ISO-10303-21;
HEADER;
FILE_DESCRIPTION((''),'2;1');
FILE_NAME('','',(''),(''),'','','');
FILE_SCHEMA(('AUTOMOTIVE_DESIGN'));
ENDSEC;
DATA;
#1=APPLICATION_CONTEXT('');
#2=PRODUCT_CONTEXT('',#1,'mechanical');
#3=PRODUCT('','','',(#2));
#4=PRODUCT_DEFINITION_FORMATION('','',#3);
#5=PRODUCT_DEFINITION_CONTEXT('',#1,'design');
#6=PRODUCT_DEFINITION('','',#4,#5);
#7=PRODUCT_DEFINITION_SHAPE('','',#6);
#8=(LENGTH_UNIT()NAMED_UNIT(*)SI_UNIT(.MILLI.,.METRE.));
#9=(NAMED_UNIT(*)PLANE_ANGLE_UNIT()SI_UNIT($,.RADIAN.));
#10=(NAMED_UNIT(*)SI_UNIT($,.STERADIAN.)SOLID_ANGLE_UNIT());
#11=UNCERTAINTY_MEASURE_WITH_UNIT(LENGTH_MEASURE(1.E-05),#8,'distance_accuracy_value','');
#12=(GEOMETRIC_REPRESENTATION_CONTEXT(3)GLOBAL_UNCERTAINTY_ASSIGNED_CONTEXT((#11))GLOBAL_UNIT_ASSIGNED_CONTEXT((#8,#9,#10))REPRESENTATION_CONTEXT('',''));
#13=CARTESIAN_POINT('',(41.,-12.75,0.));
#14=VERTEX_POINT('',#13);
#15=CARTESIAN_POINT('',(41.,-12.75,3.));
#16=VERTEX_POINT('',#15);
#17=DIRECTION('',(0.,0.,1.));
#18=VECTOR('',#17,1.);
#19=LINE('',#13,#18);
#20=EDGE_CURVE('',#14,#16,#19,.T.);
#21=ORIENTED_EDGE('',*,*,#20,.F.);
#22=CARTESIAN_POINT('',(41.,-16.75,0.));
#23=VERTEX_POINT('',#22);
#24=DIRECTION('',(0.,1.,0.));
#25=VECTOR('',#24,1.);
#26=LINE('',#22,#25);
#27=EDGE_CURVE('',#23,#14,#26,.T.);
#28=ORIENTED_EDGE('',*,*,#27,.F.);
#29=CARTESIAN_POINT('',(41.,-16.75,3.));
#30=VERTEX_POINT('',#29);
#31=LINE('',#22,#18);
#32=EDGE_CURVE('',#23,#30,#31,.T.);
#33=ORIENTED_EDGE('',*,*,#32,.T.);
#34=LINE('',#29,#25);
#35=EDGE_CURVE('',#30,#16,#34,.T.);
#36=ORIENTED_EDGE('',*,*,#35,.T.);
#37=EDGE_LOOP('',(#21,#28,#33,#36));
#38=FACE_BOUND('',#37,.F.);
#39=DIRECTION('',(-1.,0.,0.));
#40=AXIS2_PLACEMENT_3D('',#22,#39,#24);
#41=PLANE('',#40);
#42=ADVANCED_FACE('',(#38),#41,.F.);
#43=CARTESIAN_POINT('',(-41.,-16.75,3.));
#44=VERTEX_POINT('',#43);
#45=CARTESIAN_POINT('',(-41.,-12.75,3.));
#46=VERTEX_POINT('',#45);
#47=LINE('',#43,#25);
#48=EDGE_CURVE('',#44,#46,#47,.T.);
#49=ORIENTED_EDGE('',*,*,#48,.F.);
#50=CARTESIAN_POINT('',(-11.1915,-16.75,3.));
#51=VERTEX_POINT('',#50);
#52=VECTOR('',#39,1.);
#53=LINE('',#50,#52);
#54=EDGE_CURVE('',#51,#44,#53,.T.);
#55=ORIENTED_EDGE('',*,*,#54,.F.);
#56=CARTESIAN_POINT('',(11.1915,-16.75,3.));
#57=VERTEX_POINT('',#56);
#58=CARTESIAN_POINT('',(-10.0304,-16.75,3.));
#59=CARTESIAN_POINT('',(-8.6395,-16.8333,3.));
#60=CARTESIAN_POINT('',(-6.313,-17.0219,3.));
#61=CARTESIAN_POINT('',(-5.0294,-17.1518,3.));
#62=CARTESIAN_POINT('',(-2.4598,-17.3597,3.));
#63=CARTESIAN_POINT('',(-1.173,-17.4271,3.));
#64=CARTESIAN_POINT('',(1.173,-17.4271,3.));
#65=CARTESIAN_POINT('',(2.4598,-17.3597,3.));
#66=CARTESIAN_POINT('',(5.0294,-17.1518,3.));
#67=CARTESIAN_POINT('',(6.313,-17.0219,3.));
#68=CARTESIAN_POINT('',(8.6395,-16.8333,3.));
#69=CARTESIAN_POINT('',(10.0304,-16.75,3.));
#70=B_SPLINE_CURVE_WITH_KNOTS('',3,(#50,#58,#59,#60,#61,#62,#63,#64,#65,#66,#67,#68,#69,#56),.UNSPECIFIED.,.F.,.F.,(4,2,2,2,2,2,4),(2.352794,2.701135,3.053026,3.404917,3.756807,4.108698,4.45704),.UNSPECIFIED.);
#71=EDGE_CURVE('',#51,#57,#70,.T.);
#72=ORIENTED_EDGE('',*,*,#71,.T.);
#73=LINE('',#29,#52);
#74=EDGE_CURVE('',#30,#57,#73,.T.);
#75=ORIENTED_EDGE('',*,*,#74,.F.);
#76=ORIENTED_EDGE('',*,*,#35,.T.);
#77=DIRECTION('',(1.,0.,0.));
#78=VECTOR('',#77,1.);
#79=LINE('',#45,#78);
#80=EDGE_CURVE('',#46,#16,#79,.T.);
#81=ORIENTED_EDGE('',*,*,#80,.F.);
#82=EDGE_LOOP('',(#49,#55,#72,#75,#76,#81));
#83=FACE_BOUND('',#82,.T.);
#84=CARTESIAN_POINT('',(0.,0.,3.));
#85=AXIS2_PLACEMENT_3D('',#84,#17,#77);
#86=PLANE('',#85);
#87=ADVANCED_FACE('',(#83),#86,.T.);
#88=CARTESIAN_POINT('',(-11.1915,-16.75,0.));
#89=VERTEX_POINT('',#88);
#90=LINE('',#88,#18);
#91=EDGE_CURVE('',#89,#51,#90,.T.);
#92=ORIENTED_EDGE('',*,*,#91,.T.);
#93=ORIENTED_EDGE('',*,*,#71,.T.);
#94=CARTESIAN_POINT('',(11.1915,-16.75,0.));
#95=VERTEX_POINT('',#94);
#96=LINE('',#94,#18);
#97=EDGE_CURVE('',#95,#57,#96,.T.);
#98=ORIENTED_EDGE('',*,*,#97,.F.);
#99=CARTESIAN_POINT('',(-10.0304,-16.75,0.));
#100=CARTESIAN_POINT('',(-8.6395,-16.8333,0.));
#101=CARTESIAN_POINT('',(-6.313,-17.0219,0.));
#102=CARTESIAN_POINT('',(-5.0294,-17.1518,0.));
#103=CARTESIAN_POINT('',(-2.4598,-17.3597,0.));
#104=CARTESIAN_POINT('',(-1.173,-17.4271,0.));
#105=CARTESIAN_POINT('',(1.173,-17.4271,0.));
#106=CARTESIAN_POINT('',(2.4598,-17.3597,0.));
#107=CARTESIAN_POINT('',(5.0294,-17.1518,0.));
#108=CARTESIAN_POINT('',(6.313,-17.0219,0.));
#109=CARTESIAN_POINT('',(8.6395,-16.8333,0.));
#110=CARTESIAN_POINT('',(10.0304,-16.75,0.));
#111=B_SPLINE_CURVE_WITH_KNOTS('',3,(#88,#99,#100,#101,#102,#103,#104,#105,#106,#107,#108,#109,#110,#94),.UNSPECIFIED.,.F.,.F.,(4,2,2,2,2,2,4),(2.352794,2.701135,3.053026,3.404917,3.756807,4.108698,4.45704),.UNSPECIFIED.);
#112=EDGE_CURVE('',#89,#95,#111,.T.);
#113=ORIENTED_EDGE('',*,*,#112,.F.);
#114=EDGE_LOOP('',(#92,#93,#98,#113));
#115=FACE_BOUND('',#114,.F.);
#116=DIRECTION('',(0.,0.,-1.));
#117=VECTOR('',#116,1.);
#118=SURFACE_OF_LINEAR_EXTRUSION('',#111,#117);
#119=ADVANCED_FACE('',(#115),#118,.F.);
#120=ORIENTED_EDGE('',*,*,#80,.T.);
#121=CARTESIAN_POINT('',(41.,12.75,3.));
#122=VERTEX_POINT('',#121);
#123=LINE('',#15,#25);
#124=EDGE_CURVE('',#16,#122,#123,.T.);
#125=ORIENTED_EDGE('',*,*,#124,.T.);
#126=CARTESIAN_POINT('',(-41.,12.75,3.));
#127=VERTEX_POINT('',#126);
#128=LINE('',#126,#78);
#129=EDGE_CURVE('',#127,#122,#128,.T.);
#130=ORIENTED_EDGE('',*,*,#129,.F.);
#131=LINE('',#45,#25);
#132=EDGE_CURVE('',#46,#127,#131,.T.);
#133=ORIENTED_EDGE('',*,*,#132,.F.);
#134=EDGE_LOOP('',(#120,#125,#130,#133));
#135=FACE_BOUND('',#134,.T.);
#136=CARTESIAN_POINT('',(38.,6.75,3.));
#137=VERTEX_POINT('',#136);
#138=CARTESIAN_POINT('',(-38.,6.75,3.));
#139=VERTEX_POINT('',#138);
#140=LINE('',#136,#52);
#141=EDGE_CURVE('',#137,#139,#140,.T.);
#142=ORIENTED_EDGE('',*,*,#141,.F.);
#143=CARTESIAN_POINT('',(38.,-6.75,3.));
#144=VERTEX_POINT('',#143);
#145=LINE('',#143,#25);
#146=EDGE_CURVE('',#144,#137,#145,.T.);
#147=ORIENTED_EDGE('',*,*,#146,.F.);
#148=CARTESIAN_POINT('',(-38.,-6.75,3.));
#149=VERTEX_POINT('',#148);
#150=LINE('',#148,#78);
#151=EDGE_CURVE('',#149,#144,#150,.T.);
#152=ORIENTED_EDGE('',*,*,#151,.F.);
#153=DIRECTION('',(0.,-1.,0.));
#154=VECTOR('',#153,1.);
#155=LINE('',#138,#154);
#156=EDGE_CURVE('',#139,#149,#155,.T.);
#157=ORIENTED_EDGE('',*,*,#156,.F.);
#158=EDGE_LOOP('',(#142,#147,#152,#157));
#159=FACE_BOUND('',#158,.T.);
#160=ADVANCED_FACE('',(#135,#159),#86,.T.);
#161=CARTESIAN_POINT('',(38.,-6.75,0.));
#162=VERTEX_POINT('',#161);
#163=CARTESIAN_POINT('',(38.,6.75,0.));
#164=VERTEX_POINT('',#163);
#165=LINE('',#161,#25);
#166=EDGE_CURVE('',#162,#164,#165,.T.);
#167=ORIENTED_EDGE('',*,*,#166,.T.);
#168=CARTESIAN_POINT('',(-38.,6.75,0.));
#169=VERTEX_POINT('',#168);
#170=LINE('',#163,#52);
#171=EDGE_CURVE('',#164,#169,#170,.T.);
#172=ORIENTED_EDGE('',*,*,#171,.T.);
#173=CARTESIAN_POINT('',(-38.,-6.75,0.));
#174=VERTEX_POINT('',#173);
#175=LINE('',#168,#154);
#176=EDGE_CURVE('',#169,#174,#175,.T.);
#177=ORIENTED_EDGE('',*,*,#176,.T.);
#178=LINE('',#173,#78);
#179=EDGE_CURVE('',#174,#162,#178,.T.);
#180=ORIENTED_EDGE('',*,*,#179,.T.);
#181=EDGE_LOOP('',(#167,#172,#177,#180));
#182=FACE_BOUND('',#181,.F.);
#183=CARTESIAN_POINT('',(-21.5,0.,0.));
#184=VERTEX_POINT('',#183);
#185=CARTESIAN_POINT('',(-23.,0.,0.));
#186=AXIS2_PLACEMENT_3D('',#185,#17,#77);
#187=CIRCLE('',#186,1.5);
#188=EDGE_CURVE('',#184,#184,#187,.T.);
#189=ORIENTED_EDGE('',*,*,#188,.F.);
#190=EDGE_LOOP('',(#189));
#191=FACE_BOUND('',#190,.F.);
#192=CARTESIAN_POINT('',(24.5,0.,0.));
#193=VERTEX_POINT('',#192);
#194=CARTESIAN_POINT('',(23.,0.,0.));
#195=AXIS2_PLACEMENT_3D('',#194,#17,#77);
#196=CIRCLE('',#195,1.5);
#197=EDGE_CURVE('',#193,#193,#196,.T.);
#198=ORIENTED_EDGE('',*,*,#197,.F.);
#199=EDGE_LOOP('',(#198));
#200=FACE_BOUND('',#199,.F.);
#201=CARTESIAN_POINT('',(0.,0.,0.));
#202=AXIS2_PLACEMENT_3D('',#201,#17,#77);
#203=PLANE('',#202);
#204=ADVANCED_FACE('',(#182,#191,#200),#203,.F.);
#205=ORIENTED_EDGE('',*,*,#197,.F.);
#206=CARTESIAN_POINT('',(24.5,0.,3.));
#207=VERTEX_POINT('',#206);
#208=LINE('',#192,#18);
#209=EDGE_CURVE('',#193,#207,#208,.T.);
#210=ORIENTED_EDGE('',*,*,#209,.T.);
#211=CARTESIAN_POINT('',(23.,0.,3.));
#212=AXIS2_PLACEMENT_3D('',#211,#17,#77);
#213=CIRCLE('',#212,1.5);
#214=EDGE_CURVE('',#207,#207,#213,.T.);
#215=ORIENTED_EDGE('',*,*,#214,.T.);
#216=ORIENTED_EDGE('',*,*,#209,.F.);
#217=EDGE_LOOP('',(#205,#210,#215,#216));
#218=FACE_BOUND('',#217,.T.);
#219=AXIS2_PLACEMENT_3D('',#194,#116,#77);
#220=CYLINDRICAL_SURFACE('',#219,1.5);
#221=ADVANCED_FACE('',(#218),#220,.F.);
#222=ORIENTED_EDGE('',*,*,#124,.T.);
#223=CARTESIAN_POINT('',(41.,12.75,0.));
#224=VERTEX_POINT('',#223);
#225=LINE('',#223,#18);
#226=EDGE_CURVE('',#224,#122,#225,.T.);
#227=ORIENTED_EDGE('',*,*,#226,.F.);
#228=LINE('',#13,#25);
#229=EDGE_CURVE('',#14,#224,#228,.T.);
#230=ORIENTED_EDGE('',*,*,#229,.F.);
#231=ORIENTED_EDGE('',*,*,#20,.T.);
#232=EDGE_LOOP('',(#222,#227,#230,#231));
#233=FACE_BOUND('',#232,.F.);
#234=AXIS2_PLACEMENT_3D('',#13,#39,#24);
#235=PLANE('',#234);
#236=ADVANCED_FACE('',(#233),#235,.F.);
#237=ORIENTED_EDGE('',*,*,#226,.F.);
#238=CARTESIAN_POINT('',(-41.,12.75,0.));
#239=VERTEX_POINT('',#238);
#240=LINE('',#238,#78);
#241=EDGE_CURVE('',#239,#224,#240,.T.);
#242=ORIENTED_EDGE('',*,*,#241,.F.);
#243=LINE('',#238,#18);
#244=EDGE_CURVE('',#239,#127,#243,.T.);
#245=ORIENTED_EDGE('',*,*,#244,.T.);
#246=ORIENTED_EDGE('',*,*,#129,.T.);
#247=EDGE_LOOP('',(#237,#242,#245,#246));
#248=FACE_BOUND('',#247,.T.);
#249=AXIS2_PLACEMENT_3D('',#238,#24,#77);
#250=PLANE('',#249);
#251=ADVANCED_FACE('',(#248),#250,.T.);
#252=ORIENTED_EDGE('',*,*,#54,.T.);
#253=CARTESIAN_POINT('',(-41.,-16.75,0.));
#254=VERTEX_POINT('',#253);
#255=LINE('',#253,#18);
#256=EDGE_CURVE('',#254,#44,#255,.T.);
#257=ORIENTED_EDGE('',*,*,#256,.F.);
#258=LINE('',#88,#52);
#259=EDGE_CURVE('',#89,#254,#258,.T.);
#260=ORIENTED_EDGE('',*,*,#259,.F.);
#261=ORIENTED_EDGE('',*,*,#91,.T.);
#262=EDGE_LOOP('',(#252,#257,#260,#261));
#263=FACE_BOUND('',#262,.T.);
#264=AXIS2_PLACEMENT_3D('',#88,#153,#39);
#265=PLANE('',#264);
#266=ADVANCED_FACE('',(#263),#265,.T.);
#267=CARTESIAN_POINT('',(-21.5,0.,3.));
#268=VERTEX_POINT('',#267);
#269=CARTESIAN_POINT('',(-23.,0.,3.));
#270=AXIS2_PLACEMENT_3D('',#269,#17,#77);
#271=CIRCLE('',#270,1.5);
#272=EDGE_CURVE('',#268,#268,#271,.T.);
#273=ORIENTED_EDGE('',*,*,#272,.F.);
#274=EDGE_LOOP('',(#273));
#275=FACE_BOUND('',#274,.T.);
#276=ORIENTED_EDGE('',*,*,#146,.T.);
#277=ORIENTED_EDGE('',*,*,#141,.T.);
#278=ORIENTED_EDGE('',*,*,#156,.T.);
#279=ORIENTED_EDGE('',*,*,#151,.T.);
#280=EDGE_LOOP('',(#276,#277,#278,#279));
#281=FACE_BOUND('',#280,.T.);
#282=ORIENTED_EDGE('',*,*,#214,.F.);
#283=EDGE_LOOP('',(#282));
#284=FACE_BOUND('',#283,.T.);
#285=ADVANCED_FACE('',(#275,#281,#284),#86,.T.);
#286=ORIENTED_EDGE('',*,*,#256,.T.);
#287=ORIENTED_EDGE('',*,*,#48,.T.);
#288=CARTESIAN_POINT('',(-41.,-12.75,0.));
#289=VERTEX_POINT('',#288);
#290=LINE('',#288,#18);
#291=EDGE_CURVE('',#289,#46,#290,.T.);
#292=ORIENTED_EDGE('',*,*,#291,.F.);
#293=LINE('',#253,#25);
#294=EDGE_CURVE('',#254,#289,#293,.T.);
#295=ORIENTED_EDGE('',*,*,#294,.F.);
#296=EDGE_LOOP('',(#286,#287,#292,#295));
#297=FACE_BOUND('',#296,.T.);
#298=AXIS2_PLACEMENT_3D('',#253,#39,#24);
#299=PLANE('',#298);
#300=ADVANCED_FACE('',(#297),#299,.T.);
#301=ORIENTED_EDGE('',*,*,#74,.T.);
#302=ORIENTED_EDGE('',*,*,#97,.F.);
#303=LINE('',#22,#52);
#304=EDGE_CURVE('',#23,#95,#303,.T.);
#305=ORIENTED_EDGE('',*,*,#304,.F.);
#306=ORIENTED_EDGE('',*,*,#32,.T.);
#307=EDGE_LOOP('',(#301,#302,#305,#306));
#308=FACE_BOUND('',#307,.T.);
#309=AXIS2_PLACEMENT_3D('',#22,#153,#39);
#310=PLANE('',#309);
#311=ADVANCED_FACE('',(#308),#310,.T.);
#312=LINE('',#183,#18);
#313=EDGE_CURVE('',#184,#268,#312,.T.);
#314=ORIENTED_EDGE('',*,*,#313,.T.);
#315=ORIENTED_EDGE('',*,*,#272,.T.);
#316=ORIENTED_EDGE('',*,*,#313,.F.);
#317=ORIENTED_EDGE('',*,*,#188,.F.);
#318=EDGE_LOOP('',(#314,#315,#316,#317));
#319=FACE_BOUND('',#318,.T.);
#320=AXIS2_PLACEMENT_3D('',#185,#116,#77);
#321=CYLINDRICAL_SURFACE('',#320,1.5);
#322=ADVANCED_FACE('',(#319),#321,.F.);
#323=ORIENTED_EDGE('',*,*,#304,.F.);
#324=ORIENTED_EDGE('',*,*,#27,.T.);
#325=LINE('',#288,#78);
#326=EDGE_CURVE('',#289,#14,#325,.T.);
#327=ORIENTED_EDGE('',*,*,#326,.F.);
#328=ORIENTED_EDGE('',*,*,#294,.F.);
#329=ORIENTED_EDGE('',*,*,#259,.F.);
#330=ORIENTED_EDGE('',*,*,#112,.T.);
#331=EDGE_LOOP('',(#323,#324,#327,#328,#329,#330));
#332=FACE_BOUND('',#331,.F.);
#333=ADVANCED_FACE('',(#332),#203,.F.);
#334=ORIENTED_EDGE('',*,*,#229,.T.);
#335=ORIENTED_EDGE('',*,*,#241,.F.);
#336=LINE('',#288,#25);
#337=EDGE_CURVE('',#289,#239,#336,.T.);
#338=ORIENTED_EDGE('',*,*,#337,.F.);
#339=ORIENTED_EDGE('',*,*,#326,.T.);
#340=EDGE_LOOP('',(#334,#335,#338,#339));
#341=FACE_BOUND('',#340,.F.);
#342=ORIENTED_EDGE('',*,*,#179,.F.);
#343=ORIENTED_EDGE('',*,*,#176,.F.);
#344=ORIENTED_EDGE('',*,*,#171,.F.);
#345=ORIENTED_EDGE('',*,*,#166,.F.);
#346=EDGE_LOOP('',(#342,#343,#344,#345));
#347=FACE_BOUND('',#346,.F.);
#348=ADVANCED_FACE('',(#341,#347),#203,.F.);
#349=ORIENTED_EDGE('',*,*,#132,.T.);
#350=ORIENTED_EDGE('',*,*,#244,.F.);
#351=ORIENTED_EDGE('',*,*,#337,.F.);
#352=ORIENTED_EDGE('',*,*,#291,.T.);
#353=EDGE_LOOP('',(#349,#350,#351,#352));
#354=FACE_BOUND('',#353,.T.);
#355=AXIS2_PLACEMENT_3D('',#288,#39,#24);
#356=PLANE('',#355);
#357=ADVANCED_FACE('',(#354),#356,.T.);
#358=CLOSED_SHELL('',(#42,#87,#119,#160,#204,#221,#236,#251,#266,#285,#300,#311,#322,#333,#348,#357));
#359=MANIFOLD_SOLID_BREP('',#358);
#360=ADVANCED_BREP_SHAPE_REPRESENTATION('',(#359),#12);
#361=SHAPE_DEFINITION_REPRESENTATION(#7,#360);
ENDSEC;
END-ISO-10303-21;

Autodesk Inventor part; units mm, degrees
ref_plane "YZ Plane" through (0, 0, 0) normal (1, 0, 0) x (0, 1, 0)
ref_plane "XZ Plane" through (0, 0, 0) normal (0, 1, 0) x (-1, 0, 0)
ref_plane "XY Plane" through (0, 0, 0) normal (0, 0, 1) x (1, 0, 0)
sketch "Sketch1" plane through (0, 0, 0) normal (0, 0, 1) x (1, 0, 0)
  circle A0 centre (23, 0) radius 1.5 projected
  circle A1 centre (-23, 0) radius 1.5 projected
  line L0 (38, 6.75) -> (-38, 6.75) projected
  line L1 (-38, 6.75) -> (-38, -6.75) projected
  line L2 (-38, -6.75) -> (38, -6.75) projected
  line L3 (38, -6.75) -> (38, 6.75) projected
  line L4 (38, 6.75) -> (38, -6.75) projected
  line L5 (38, -6.75) -> (-38, -6.75) projected
  line L6 (-38, -6.75) -> (-38, 6.75) projected
  line L7 (-38, 6.75) -> (38, 6.75) projected
  line L8 (-41, -12.75) -> (41, -12.75) projected
  line L9 (41, -12.75) -> (41, 12.75) projected
  line L10 (-41, 12.75) -> (41, 12.75) projected
  line L11 (-41, -12.75) -> (-41, 12.75) projected
  line L12 (41, -16.75) -> (11.1915, -16.75) projected
  line L13 (41, -16.75) -> (41, -12.75) projected
  line L14 (-41, -12.75) -> (41, -12.75) projected
  line L15 (-41, -16.75) -> (-41, -12.75) projected
  line L16 (-11.1915, -16.75) -> (-41, -16.75) projected
  spline S0 degree 3 poles (-11.1915, -16.75) (-10.0304, -16.75) (-8.6395, -16.8333) (-6.313, -17.0219) (-5.0294, -17.1518) (-2.4598, -17.3597) (-1.173, -17.4271) (1.173, -17.4271) (2.4598, -17.3597) (5.0294, -17.1518) (6.313, -17.0219) (8.6395, -16.8333) (10.0304, -16.75) (11.1915, -16.75) knots 2.352794 2.352794 2.352794 2.352794 2.701135 2.701135 3.053026 3.053026 3.404917 3.404917 3.756807 3.756807 4.108698 4.108698 4.45704 4.45704 4.45704 4.45704 projected
  point P0 (0, 0)
extrude "Extrusion1" add sketch "Sketch1" along normal blind 3 contours L3 L2 L1 L0 | L11 L10 L9 L8 | L8 L13 L12 S0 L16 L15
properties part number "Cup_Dispenser_Slider_Cover"
